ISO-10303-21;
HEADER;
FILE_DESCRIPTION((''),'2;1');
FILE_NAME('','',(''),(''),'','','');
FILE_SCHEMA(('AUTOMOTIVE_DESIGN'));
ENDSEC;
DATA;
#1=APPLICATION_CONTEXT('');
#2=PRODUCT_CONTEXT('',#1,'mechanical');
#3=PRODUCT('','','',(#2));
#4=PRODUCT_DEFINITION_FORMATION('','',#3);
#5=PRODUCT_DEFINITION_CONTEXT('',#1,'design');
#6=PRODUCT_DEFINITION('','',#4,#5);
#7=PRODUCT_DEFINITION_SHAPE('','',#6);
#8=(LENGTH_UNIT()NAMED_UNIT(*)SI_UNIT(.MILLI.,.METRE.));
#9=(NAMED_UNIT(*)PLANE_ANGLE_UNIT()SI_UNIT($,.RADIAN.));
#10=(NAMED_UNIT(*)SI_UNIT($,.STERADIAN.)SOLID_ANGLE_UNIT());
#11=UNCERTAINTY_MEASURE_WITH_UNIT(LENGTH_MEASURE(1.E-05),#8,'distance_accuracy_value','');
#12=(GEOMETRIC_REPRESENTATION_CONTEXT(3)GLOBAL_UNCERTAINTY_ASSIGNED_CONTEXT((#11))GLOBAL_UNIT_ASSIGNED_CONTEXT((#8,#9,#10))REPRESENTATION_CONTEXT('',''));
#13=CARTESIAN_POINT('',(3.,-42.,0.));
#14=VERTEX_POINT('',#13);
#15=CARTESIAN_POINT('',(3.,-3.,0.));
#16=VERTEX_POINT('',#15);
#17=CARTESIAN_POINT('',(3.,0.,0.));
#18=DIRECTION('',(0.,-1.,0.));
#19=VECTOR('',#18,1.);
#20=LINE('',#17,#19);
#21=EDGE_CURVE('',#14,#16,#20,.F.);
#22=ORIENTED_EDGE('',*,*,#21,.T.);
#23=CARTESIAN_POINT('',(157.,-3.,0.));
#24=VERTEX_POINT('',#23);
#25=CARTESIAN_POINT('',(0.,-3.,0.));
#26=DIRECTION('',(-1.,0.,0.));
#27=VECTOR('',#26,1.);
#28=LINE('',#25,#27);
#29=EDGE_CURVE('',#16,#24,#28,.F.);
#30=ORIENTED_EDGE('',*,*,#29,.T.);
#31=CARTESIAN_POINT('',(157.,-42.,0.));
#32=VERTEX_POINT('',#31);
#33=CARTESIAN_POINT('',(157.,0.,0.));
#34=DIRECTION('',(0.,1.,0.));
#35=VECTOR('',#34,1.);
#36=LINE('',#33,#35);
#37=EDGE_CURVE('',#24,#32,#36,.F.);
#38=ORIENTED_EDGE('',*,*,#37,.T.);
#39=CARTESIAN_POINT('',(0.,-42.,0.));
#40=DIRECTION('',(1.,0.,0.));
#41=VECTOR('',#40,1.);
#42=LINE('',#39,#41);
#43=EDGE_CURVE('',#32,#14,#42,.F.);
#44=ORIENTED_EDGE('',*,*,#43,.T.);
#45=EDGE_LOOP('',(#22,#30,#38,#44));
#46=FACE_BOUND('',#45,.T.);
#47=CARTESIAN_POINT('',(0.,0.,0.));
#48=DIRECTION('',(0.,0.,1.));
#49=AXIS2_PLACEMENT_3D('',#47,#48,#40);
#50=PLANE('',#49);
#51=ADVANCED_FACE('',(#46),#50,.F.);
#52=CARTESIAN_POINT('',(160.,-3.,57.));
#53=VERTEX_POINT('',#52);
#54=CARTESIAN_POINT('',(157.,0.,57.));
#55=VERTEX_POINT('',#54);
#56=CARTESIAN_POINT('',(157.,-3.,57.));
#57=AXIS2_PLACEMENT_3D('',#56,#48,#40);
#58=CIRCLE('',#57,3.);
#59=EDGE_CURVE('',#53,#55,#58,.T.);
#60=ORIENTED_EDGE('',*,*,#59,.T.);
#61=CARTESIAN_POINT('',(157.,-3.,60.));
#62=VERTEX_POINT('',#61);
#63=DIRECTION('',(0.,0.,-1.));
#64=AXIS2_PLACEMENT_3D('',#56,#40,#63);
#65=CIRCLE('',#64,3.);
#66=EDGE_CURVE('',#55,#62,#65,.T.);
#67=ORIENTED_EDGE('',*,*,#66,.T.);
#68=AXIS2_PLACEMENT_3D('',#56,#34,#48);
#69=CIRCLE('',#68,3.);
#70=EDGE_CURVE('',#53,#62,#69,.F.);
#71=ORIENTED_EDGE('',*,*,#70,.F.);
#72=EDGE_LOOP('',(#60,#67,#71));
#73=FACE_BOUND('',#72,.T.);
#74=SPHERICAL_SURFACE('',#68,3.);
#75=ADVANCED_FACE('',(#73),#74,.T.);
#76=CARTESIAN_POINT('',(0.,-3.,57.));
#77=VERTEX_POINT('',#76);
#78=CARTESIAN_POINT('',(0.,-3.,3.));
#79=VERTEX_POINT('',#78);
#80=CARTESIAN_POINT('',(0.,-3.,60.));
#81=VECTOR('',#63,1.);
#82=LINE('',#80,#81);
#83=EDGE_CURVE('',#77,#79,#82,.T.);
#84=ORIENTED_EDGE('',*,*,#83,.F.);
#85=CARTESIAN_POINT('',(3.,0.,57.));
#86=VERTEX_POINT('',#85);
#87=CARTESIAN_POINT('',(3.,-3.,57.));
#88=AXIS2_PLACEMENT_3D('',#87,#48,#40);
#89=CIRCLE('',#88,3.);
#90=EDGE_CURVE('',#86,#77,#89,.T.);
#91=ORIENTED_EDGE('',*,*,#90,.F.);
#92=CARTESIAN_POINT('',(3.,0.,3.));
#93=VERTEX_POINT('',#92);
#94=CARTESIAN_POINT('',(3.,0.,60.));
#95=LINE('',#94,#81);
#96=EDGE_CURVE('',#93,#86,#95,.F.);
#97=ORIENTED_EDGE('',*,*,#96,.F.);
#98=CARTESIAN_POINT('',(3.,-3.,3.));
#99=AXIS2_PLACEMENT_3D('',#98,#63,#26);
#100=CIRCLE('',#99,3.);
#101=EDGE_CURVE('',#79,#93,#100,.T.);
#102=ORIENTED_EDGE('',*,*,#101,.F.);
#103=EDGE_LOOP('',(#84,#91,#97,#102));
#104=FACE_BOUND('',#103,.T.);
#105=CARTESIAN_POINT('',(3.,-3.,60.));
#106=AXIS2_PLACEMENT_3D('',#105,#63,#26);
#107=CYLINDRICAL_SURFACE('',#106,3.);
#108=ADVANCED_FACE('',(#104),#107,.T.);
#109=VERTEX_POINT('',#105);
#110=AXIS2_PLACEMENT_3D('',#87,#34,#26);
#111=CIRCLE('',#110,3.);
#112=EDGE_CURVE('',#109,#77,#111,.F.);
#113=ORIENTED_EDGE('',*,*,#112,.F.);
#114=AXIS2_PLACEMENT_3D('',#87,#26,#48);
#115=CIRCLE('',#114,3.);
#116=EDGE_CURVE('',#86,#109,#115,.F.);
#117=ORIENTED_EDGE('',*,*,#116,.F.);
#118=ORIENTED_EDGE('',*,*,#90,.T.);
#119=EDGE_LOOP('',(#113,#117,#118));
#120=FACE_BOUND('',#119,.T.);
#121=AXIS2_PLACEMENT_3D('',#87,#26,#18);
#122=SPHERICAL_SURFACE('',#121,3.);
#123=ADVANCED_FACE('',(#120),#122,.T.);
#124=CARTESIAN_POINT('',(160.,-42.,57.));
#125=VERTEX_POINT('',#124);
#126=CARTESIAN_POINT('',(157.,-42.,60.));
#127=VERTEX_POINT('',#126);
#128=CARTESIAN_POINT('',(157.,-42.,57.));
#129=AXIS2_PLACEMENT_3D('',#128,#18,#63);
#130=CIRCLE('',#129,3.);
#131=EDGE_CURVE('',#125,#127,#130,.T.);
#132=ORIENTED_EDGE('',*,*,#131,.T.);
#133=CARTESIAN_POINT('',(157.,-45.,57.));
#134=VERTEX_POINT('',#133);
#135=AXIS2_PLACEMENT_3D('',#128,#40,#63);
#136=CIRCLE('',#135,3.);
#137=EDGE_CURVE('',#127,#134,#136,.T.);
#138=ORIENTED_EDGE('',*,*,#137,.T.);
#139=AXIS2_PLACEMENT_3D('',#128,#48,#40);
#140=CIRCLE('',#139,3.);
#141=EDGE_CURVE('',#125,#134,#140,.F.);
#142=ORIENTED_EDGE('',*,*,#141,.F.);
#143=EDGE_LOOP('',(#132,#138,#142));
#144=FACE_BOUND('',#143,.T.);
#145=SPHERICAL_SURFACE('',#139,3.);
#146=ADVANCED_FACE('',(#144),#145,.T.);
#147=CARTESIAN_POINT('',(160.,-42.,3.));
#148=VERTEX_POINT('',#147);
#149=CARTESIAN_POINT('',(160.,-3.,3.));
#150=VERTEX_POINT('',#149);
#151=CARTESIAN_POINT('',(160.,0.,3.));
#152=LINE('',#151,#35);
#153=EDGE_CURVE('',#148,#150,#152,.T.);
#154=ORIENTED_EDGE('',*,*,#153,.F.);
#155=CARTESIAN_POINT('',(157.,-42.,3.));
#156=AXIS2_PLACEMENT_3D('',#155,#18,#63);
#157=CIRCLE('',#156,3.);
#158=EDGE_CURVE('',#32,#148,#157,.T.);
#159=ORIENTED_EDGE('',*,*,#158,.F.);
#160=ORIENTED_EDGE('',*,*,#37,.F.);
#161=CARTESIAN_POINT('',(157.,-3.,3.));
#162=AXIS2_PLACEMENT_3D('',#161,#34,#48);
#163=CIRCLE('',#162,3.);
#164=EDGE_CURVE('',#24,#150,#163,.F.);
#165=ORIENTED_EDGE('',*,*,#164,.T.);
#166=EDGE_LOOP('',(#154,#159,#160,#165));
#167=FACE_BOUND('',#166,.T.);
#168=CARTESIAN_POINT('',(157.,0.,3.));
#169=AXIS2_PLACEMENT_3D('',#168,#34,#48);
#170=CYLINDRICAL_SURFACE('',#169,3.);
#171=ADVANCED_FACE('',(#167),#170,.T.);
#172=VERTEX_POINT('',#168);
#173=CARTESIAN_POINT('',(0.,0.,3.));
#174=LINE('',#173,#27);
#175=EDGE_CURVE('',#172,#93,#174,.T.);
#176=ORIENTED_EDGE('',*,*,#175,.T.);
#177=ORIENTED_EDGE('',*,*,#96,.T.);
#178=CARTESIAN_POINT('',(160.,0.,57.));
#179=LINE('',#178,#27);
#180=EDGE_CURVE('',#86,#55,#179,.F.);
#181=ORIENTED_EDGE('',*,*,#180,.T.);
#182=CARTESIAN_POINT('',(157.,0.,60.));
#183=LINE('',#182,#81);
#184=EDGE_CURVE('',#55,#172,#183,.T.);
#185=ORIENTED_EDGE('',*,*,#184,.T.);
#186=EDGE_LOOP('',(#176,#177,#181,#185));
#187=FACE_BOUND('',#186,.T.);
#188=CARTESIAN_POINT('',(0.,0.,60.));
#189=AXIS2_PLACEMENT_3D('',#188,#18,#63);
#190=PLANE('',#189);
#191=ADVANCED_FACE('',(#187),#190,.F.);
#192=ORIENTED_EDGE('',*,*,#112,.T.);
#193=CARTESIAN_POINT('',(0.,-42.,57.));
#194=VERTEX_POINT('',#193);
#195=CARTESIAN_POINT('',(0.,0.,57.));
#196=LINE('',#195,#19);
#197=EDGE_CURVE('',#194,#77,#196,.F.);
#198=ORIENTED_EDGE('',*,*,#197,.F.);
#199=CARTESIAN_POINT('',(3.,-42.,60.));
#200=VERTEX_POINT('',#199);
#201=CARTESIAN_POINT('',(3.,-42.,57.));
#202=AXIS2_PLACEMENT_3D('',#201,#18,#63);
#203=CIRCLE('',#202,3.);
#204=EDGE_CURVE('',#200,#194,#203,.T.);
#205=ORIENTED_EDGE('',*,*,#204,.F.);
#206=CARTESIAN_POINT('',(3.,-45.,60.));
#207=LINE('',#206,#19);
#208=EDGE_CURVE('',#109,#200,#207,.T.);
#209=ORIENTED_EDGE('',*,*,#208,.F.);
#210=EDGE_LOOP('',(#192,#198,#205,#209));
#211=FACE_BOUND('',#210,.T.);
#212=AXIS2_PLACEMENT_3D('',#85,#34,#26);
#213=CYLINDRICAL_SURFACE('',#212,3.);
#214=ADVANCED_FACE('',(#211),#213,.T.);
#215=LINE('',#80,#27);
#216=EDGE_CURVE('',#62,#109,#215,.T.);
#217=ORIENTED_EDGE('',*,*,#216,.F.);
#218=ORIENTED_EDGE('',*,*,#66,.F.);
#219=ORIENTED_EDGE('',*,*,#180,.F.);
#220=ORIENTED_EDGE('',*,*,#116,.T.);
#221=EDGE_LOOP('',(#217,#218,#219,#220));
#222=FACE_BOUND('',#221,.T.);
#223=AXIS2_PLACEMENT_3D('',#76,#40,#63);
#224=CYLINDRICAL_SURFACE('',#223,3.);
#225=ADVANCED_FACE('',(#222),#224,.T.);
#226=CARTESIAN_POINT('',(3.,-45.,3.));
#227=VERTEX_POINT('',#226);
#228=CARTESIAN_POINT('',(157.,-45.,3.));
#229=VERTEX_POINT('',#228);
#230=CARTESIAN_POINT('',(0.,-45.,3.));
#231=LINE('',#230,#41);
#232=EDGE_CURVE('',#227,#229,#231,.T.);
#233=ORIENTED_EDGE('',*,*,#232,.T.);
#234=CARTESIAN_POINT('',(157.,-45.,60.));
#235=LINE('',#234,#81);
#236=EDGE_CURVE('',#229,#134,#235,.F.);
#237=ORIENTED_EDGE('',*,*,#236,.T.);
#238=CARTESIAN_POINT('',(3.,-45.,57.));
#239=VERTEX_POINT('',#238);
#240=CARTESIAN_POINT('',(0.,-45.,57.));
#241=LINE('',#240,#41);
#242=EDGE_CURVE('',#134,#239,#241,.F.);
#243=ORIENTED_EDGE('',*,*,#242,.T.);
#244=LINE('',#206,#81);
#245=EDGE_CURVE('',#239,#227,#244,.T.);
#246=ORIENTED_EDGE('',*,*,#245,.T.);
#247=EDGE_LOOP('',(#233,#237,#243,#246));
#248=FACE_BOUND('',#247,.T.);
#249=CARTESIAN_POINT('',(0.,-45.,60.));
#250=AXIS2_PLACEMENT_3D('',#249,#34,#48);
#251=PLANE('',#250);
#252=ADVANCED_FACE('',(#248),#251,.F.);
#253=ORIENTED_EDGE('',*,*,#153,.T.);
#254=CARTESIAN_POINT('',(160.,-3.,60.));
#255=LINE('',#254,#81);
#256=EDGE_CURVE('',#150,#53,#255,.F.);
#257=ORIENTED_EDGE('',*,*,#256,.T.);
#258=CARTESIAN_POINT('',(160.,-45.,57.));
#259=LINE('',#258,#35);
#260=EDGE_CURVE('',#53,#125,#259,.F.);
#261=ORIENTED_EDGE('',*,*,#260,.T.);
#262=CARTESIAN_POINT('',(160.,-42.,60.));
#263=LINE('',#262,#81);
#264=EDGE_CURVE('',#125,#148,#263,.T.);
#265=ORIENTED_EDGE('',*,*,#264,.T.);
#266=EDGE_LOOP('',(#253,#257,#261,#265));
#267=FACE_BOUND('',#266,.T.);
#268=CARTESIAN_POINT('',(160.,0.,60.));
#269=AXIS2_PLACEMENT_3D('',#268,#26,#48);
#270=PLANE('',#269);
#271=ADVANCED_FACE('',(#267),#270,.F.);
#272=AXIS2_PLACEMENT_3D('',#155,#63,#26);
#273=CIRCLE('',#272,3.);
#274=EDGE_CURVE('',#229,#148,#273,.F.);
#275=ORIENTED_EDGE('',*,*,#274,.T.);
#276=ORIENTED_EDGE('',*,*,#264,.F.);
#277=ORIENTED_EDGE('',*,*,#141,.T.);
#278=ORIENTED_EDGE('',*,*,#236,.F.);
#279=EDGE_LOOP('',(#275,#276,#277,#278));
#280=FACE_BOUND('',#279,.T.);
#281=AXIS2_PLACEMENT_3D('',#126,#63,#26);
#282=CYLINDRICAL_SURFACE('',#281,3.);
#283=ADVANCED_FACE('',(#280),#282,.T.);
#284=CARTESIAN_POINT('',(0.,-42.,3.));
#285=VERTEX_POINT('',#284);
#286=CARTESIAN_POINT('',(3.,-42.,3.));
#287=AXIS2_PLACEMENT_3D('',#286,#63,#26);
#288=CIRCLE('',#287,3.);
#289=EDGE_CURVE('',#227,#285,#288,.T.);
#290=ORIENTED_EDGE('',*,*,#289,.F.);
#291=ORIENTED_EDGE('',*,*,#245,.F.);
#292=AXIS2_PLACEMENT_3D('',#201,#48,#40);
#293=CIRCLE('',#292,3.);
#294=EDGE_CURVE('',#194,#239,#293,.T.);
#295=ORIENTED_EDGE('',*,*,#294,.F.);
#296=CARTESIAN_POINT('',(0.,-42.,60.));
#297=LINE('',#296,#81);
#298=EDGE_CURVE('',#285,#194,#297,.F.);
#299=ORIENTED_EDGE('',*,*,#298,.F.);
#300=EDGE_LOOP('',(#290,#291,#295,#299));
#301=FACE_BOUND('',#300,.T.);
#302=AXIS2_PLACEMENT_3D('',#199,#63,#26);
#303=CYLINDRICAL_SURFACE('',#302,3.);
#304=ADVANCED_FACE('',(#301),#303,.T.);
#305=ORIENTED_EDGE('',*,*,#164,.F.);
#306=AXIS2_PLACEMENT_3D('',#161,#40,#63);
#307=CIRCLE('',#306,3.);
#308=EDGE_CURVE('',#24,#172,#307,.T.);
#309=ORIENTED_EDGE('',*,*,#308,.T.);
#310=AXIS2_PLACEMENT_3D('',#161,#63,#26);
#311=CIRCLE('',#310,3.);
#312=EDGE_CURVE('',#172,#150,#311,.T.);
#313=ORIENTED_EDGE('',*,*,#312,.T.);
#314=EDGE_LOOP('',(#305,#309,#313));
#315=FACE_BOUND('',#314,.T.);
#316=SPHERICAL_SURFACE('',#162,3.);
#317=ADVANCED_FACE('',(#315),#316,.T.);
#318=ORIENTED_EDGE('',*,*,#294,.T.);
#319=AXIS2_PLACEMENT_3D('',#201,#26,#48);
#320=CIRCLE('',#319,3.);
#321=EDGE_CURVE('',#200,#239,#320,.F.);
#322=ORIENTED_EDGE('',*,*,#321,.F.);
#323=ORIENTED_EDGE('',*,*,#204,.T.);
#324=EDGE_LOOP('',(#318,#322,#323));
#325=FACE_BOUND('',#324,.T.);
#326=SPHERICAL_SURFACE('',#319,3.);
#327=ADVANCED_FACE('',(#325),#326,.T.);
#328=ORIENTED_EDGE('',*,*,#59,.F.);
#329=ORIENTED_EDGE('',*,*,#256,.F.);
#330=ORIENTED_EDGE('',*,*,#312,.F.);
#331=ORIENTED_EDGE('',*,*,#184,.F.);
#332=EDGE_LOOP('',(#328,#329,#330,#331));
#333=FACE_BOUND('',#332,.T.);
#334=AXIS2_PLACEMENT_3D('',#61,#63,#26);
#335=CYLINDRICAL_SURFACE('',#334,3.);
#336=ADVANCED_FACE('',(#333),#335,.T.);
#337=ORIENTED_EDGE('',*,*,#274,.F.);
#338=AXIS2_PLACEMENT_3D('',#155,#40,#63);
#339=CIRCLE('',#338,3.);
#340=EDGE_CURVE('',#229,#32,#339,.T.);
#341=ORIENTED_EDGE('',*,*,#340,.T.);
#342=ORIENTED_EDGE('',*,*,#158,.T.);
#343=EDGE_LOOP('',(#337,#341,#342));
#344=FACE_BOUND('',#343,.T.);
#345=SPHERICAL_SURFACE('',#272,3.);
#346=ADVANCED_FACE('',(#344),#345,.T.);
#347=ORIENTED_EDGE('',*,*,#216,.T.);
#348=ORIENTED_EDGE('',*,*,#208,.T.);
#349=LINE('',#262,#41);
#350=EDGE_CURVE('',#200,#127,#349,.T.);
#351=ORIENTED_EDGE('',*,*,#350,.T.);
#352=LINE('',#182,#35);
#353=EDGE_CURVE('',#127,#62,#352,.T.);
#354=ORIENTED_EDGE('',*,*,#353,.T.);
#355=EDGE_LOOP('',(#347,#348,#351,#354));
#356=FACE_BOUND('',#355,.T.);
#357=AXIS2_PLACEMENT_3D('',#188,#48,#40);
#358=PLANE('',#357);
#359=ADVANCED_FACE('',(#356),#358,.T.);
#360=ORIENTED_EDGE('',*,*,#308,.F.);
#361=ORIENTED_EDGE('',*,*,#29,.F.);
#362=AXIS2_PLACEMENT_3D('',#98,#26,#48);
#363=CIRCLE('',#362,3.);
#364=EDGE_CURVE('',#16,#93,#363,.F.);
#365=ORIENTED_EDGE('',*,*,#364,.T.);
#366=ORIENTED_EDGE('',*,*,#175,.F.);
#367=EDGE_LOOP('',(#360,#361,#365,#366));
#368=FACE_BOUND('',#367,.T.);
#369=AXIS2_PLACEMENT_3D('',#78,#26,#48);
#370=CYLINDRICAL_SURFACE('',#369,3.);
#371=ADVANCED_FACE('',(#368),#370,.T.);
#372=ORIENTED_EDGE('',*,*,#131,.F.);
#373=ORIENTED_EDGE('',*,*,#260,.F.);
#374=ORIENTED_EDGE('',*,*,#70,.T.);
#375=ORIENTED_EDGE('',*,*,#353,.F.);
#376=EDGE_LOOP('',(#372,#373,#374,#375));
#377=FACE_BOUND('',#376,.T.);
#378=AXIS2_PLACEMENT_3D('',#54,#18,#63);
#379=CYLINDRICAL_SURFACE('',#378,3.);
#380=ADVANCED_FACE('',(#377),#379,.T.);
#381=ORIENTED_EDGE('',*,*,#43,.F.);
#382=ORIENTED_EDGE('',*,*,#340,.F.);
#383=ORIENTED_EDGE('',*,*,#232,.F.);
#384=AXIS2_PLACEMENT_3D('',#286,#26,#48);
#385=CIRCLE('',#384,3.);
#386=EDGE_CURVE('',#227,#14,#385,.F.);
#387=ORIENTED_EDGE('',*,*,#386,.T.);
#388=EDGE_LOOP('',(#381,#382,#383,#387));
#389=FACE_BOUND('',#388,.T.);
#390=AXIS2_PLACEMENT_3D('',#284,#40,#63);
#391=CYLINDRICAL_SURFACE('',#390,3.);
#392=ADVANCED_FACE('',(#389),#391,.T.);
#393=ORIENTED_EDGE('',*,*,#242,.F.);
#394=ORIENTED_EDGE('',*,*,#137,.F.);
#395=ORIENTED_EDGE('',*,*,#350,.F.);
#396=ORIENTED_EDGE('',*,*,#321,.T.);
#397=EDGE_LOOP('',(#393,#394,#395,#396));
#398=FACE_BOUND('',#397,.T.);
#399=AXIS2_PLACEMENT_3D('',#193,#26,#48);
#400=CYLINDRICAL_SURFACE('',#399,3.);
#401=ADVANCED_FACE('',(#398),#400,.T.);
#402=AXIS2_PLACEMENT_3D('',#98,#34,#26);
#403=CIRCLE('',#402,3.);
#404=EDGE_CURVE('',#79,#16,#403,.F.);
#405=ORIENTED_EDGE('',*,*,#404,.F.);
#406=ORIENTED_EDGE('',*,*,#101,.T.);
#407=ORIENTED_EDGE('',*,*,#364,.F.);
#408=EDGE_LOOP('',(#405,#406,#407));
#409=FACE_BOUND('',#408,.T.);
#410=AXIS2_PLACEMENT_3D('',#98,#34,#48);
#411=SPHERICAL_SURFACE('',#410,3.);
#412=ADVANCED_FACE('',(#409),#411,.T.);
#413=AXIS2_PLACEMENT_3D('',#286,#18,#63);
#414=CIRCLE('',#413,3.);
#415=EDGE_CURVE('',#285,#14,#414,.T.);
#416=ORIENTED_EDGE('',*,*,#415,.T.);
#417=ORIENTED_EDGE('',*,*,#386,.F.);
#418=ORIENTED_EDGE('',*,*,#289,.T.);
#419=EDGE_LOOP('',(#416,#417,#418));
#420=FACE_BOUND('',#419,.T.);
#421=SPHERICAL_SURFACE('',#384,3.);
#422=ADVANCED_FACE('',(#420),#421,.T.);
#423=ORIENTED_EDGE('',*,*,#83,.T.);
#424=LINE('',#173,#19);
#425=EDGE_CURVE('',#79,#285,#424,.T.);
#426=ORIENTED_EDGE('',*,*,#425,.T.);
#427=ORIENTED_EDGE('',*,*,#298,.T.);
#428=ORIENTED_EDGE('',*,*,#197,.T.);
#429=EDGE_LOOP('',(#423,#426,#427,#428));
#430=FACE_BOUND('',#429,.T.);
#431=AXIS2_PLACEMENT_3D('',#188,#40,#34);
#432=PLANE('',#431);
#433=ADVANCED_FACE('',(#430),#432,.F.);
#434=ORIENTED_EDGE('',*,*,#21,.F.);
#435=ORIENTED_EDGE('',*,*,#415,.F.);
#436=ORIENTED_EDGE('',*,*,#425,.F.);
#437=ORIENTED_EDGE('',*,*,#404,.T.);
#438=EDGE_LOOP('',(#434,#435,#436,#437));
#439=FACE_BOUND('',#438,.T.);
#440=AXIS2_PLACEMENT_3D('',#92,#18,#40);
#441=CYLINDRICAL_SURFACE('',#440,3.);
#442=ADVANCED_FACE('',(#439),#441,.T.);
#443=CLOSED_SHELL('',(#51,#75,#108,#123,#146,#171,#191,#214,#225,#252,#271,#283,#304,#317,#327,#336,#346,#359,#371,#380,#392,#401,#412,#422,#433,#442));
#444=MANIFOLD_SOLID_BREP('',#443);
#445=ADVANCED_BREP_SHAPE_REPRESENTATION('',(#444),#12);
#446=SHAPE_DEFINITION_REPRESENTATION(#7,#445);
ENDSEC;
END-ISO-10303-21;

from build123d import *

# Parameters (mm, degrees)
SKETCH_1_W      = 160
SKETCH_1_H      = 45
EXTRUDE_1_DEPTH = 60
FILLET_1_R      = 3


with BuildPart() as part:
    # 草图1 → 凸台-拉伸1 (new body)
    with BuildSketch(Plane.XY):
        with Locations((80, -22.5)):
            Rectangle(SKETCH_1_W, SKETCH_1_H)
    extrude(amount=EXTRUDE_1_DEPTH)

    # 圆角1
    fillet_1_edges = [part.edges().sort_by_distance(p)[0] for p in [
        (160, -22.5, 60),
        (80, 0, 60),
        (0, -22.5, 60),
        (80, 0, 0),
        (160, -22.5, 0),
        (80, -45, 0),
        (0, -22.5, 0),
        (0, 0, 30),
        (160, 0, 30),
        (160, -45, 30),
        (0, -45, 30),
        (80, -45, 60),
    ]]
    fillet(fillet_1_edges, radius=FILLET_1_R)


solid = part.part
